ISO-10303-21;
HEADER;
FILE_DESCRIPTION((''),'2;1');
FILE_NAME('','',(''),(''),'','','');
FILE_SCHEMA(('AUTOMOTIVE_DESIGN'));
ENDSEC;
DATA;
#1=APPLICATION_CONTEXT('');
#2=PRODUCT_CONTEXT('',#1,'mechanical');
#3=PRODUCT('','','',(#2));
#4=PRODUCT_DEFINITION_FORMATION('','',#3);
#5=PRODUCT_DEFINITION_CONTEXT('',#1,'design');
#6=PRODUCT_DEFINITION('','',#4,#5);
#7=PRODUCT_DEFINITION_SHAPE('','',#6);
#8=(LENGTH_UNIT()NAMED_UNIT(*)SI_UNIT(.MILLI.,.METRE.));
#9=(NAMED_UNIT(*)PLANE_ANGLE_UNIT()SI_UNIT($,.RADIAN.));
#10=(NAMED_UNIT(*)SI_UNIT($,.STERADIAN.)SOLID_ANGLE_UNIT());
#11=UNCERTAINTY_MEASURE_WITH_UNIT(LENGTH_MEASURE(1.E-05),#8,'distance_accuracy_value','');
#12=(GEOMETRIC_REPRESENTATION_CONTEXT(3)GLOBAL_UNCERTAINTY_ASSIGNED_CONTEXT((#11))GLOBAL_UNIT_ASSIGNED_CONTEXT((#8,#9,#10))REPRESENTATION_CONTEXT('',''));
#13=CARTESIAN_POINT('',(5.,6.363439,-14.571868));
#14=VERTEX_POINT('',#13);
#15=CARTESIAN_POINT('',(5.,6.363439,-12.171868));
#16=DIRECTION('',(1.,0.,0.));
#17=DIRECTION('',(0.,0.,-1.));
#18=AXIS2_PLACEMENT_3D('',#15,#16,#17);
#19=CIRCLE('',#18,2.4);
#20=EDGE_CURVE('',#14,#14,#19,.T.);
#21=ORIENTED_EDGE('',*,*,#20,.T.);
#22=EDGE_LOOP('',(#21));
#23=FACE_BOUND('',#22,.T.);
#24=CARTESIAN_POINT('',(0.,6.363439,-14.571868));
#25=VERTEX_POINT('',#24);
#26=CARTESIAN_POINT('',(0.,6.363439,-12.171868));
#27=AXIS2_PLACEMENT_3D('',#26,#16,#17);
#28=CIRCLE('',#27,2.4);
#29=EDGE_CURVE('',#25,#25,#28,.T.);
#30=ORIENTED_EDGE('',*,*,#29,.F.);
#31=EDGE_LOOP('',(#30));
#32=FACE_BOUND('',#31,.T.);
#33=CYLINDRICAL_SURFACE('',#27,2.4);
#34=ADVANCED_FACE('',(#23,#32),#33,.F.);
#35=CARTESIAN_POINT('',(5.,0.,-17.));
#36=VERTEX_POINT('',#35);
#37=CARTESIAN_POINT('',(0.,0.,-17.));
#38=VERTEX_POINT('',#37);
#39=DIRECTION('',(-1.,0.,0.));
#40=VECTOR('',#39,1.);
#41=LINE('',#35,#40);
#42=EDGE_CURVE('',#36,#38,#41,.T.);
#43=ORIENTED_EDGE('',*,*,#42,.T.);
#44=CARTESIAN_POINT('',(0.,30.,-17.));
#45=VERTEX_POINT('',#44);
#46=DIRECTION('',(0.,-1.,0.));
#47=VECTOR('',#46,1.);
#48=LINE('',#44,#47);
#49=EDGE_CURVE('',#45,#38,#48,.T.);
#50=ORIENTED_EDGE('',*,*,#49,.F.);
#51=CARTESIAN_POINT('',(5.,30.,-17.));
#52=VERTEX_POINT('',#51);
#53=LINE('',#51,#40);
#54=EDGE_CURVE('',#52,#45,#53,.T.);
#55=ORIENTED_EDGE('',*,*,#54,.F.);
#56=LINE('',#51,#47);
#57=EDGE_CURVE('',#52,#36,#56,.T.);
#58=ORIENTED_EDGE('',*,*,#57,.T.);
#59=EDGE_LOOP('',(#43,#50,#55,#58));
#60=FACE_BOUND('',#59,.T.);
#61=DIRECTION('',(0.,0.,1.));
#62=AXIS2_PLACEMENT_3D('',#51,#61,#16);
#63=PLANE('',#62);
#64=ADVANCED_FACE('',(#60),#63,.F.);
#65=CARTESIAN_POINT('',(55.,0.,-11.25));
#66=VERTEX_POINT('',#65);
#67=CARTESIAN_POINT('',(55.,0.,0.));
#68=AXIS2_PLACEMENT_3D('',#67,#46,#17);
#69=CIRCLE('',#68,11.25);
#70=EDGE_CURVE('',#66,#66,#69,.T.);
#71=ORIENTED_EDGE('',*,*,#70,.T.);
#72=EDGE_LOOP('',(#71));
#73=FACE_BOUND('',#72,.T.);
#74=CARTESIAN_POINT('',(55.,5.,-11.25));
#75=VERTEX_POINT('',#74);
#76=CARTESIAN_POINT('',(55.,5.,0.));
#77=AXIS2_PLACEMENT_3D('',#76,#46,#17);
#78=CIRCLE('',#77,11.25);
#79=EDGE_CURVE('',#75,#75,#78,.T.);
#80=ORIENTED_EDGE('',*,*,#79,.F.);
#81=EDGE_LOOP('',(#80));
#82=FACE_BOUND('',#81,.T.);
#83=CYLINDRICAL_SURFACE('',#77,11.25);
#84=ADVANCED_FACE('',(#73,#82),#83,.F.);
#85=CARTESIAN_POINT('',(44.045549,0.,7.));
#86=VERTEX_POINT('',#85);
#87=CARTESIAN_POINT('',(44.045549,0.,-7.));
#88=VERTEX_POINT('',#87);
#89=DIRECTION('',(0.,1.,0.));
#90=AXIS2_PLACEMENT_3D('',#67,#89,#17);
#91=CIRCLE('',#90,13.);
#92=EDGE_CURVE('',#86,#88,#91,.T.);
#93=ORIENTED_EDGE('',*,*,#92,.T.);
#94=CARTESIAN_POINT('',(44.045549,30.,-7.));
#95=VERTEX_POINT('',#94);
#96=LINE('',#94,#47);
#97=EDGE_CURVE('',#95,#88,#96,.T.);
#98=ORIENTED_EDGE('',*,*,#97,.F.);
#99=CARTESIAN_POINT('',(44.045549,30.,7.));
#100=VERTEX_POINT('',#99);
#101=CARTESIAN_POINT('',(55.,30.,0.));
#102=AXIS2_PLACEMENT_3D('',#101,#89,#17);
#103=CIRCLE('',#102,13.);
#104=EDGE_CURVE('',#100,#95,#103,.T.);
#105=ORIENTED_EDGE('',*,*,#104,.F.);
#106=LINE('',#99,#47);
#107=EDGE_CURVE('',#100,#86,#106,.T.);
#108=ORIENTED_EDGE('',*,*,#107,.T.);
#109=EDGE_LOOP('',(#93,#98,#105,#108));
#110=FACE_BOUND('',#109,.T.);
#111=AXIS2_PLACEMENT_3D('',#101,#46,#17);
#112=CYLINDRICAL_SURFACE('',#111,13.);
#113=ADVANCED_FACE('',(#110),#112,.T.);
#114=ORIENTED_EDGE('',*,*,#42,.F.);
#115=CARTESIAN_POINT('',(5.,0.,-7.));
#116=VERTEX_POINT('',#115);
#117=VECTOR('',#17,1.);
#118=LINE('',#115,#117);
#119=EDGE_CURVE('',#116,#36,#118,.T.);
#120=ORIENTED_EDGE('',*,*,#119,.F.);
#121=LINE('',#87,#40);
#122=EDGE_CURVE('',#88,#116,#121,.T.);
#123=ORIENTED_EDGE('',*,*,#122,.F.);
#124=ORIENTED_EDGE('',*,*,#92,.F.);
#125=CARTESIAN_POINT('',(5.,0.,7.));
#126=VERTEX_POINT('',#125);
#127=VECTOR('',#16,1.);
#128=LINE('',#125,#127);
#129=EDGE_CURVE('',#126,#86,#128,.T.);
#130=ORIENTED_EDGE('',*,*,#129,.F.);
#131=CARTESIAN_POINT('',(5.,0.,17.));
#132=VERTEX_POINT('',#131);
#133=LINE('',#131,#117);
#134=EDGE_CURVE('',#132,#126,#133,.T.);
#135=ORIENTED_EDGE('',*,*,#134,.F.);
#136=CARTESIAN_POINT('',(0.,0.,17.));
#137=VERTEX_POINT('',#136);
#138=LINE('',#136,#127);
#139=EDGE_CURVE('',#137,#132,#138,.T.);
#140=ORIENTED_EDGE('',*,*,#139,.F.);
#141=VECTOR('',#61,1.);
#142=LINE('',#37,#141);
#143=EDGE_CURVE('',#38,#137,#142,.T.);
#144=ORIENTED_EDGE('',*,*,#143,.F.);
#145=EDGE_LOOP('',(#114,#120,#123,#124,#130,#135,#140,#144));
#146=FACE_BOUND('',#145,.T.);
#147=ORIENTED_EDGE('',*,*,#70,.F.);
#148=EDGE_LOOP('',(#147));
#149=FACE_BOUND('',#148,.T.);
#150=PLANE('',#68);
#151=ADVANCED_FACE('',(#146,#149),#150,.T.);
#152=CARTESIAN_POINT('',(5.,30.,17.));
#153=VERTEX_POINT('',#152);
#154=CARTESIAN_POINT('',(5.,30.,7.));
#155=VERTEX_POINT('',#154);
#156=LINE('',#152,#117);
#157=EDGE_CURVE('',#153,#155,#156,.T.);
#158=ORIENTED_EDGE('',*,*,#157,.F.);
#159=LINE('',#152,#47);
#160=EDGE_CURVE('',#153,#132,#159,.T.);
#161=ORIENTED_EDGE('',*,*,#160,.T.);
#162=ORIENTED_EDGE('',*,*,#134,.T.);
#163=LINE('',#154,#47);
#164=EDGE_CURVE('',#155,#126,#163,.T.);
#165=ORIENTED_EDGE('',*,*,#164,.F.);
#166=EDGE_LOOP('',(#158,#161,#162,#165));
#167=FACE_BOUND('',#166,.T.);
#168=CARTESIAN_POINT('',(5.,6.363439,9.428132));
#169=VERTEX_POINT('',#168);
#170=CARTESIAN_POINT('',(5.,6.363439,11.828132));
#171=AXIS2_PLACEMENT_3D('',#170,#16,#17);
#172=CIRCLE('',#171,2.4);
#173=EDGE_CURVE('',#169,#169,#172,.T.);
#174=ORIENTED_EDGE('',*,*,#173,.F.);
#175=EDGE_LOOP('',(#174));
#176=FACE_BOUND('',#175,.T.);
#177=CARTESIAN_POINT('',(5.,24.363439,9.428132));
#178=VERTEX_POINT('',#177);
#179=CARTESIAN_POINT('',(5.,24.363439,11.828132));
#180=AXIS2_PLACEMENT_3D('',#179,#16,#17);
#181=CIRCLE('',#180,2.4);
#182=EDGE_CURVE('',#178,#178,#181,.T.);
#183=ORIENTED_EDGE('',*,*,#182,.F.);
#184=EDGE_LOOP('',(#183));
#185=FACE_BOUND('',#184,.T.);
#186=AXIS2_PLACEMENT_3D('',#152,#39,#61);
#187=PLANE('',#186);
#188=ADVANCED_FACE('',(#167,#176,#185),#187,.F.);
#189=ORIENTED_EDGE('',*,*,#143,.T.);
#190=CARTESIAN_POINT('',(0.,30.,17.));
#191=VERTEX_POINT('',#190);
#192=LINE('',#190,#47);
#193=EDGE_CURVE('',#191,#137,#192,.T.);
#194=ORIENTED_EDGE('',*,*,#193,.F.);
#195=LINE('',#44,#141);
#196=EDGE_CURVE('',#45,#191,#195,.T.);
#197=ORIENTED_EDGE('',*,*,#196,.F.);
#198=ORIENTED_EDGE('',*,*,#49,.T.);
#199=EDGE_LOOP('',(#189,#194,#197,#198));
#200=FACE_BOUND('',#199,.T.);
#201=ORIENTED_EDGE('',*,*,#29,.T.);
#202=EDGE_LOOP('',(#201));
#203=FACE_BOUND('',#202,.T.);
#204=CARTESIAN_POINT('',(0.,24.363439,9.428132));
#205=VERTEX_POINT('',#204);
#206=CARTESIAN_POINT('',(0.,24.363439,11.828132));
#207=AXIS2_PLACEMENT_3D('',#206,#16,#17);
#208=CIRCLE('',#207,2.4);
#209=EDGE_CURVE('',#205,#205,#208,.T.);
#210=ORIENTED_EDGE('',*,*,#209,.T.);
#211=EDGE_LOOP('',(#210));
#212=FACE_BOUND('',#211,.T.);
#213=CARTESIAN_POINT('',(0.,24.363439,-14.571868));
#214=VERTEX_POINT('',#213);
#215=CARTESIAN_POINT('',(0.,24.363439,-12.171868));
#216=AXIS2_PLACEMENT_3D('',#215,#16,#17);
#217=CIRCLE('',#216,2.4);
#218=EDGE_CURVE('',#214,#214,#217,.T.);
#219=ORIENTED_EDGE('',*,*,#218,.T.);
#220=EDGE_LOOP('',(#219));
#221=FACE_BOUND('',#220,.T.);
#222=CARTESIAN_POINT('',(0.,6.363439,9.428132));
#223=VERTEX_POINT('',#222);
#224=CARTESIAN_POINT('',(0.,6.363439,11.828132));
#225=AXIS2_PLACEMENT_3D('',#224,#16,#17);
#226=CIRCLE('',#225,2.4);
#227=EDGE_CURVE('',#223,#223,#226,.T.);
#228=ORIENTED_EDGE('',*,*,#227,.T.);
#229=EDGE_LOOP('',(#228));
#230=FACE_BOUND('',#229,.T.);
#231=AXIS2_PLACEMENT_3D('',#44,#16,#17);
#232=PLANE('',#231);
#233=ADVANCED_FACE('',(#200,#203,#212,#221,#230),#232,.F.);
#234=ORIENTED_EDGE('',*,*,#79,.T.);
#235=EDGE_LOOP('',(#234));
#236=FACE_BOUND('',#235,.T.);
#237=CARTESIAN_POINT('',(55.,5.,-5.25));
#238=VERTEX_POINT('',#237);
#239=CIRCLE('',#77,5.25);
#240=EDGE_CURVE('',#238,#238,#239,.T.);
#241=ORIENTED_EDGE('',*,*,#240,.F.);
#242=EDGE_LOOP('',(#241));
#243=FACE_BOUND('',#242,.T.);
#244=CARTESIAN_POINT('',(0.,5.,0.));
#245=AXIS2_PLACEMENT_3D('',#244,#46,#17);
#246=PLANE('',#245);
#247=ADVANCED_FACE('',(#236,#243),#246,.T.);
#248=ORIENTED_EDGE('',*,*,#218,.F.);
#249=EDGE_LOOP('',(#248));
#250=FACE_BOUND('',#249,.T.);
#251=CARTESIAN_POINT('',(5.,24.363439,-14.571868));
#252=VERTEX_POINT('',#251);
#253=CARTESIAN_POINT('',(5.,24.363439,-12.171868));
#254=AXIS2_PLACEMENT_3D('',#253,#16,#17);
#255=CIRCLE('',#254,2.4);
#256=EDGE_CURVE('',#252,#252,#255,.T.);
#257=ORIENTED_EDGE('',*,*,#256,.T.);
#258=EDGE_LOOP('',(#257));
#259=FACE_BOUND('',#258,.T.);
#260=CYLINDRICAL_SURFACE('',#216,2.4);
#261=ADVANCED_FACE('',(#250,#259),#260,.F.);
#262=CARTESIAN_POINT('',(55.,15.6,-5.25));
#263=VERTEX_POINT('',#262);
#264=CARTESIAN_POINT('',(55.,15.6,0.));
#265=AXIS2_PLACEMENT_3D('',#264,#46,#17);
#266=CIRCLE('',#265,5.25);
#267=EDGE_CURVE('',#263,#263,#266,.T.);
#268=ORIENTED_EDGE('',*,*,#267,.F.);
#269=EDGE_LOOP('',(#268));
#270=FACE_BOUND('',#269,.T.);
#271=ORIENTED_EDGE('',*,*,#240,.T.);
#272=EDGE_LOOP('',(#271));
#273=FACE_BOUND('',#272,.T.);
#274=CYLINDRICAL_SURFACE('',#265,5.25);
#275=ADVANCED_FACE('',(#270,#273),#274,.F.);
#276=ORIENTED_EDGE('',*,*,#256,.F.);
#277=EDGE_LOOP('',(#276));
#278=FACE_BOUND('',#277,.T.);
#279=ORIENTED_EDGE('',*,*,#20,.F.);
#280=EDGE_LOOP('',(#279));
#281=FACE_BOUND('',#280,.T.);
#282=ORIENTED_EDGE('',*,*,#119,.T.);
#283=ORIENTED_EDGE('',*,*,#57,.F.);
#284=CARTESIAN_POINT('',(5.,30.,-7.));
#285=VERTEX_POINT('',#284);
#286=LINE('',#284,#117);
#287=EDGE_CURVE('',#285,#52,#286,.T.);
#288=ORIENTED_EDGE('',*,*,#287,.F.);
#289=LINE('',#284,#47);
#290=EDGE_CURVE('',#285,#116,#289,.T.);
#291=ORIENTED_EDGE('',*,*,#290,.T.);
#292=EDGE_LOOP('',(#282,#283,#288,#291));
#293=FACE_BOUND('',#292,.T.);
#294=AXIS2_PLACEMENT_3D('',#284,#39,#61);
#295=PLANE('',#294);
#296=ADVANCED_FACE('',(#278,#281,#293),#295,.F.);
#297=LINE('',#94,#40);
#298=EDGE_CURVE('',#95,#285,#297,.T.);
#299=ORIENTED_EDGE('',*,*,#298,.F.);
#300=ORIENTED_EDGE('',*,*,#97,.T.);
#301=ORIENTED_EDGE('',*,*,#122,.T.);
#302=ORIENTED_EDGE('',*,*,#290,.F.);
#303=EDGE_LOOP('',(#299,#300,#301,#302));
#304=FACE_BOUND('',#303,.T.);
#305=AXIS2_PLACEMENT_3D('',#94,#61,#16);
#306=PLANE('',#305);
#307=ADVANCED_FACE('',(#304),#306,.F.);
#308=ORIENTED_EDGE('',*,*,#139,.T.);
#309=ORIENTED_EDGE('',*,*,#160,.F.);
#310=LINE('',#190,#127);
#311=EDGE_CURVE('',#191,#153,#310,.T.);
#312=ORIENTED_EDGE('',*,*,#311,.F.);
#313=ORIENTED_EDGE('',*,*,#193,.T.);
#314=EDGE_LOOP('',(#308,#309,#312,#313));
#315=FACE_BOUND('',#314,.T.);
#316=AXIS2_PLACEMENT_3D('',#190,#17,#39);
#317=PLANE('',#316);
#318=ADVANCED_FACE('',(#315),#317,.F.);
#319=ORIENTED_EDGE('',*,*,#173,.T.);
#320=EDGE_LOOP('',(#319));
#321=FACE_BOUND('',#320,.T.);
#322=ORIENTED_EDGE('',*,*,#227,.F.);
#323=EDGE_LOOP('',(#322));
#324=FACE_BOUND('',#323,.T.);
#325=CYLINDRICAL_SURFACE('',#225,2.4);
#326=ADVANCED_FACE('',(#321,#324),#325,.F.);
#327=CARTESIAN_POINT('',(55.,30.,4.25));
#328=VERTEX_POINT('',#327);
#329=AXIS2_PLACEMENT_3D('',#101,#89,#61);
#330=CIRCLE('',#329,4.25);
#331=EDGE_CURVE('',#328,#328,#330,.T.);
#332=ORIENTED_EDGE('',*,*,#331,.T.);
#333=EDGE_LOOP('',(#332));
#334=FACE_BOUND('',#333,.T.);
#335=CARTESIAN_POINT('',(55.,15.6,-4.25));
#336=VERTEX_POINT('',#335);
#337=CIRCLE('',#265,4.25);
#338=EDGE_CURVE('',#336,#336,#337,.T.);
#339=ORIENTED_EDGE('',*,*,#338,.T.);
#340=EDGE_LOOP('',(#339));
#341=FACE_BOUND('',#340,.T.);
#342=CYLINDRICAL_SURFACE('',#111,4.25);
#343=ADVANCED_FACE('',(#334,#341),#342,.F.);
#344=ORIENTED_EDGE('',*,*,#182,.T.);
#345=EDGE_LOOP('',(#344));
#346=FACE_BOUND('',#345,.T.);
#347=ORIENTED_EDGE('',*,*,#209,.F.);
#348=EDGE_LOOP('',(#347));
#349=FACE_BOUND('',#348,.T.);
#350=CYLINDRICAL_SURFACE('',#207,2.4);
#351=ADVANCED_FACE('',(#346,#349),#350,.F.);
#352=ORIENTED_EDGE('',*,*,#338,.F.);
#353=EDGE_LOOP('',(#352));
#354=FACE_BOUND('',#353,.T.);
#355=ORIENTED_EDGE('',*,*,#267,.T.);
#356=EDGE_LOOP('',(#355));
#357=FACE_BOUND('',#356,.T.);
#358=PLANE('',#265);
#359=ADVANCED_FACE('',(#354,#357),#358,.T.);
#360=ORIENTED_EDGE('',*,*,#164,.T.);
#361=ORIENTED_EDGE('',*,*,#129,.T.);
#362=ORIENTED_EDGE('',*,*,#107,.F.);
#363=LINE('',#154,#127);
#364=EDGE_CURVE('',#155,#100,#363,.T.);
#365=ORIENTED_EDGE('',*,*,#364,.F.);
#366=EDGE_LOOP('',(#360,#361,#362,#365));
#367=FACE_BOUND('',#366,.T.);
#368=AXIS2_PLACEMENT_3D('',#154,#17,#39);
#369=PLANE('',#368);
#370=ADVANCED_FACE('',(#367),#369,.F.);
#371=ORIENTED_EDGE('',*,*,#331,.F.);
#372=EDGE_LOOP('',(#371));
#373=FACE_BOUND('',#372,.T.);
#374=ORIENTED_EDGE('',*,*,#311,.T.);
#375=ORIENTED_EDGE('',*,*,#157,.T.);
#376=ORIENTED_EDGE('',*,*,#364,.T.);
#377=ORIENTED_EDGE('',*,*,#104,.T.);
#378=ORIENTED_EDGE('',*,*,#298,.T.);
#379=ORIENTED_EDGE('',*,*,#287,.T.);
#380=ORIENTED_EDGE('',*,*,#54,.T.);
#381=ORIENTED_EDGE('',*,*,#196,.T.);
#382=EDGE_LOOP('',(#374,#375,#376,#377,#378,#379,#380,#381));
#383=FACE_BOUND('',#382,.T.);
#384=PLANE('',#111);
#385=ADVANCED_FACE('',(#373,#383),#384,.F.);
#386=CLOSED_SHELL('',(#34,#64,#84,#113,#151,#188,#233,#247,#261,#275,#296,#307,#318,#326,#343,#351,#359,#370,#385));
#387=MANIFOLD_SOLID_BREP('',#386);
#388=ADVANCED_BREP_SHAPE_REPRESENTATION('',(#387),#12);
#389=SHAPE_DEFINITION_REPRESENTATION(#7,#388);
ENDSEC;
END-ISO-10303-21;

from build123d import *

# Parameters (mm, degrees)
SKETCH2_R           = 4.25
BOSS_EXTRUDE1_DEPTH = 30
SKETCH3_R           = 11.25
SKETCH3_R_2         = 5.25
SKETCH3_R_3         = 4.25
CUT_EXTRUDE1_DEPTH  = 5
CUT_EXTRUDE2_START  = -5
SKETCH3_3_R         = 5.25
SKETCH3_3_R_2       = 4.25
CUT_EXTRUDE2_DEPTH  = 10.6
SKETCH4_R           = 2.4
CUT_EXTRUDE3_DEPTH  = 72.819217484


with BuildPart() as part:
    # Sketch2 → Boss-Extrude1 (new body)
    with BuildSketch(Plane(origin=(0, 0, 0), x_dir=(1, 0, 0), z_dir=(0, 1, 0))):
        with BuildLine():
            Line((0, 17), (0, -17))
            Line((0, -17), (5, -17))
            Line((5, -17), (5, -7))
            Line((5, -7), (44.04554885, -7))
            ThreePointArc((44.04554885, -7), (68, 0), (44.04554885, 7))
            Line((44.04554885, 7), (5, 7))
            Line((5, 7), (5, 17))
            Line((5, 17), (0, 17))
        make_face()
        with Locations(Location((55, 0, 0), (0, 0, 270))):
            Circle(SKETCH2_R, mode=Mode.SUBTRACT)
    extrude(amount=BOSS_EXTRUDE1_DEPTH)

    # Sketch3 → Cut-Extrude1 (cut)
    with BuildSketch(Plane.XZ):
        with Locations(Location((55, 0, 0), (0, 0, 270))):
            Circle(SKETCH3_R)
        with Locations((55, 0)):
            Circle(SKETCH3_R_2, mode=Mode.SUBTRACT)
        with Locations((55, 0)):
            Circle(SKETCH3_R_2)
        with Locations(Location((55, 0, 0), (0, 0, 270))):
            Circle(SKETCH3_R_3, mode=Mode.SUBTRACT)
    extrude(amount=-CUT_EXTRUDE1_DEPTH, mode=Mode.SUBTRACT)

    # Sketch3<3> → Cut-Extrude2 (cut)
    with BuildSketch(Plane.XZ.offset(CUT_EXTRUDE2_START)):
        with Locations(Location((55, 0, 0), (0, 0, 270))):
            Circle(SKETCH3_3_R)
        with Locations(Location((55, 0, 0), (0, 0, 270))):
            Circle(SKETCH3_3_R_2, mode=Mode.SUBTRACT)
    extrude(amount=-CUT_EXTRUDE2_DEPTH, mode=Mode.SUBTRACT)

    # Sketch4 → Cut-Extrude3 (cut, through all)
    with BuildSketch(Plane(origin=(5, 0, 0), x_dir=(0, 0, -1), z_dir=(1, 0, 0))):
        with Locations((12.17186788, 24.363439063)):
            Circle(SKETCH4_R)
        with Locations((12.17186788, 6.363439063)):
            Circle(SKETCH4_R)
        with Locations((-11.82813212, 6.363439063)):
            Circle(SKETCH4_R)
        with Locations((-11.82813212, 24.363439063)):
            Circle(SKETCH4_R)
    extrude(amount=-CUT_EXTRUDE3_DEPTH, mode=Mode.SUBTRACT)


solid = part.part
